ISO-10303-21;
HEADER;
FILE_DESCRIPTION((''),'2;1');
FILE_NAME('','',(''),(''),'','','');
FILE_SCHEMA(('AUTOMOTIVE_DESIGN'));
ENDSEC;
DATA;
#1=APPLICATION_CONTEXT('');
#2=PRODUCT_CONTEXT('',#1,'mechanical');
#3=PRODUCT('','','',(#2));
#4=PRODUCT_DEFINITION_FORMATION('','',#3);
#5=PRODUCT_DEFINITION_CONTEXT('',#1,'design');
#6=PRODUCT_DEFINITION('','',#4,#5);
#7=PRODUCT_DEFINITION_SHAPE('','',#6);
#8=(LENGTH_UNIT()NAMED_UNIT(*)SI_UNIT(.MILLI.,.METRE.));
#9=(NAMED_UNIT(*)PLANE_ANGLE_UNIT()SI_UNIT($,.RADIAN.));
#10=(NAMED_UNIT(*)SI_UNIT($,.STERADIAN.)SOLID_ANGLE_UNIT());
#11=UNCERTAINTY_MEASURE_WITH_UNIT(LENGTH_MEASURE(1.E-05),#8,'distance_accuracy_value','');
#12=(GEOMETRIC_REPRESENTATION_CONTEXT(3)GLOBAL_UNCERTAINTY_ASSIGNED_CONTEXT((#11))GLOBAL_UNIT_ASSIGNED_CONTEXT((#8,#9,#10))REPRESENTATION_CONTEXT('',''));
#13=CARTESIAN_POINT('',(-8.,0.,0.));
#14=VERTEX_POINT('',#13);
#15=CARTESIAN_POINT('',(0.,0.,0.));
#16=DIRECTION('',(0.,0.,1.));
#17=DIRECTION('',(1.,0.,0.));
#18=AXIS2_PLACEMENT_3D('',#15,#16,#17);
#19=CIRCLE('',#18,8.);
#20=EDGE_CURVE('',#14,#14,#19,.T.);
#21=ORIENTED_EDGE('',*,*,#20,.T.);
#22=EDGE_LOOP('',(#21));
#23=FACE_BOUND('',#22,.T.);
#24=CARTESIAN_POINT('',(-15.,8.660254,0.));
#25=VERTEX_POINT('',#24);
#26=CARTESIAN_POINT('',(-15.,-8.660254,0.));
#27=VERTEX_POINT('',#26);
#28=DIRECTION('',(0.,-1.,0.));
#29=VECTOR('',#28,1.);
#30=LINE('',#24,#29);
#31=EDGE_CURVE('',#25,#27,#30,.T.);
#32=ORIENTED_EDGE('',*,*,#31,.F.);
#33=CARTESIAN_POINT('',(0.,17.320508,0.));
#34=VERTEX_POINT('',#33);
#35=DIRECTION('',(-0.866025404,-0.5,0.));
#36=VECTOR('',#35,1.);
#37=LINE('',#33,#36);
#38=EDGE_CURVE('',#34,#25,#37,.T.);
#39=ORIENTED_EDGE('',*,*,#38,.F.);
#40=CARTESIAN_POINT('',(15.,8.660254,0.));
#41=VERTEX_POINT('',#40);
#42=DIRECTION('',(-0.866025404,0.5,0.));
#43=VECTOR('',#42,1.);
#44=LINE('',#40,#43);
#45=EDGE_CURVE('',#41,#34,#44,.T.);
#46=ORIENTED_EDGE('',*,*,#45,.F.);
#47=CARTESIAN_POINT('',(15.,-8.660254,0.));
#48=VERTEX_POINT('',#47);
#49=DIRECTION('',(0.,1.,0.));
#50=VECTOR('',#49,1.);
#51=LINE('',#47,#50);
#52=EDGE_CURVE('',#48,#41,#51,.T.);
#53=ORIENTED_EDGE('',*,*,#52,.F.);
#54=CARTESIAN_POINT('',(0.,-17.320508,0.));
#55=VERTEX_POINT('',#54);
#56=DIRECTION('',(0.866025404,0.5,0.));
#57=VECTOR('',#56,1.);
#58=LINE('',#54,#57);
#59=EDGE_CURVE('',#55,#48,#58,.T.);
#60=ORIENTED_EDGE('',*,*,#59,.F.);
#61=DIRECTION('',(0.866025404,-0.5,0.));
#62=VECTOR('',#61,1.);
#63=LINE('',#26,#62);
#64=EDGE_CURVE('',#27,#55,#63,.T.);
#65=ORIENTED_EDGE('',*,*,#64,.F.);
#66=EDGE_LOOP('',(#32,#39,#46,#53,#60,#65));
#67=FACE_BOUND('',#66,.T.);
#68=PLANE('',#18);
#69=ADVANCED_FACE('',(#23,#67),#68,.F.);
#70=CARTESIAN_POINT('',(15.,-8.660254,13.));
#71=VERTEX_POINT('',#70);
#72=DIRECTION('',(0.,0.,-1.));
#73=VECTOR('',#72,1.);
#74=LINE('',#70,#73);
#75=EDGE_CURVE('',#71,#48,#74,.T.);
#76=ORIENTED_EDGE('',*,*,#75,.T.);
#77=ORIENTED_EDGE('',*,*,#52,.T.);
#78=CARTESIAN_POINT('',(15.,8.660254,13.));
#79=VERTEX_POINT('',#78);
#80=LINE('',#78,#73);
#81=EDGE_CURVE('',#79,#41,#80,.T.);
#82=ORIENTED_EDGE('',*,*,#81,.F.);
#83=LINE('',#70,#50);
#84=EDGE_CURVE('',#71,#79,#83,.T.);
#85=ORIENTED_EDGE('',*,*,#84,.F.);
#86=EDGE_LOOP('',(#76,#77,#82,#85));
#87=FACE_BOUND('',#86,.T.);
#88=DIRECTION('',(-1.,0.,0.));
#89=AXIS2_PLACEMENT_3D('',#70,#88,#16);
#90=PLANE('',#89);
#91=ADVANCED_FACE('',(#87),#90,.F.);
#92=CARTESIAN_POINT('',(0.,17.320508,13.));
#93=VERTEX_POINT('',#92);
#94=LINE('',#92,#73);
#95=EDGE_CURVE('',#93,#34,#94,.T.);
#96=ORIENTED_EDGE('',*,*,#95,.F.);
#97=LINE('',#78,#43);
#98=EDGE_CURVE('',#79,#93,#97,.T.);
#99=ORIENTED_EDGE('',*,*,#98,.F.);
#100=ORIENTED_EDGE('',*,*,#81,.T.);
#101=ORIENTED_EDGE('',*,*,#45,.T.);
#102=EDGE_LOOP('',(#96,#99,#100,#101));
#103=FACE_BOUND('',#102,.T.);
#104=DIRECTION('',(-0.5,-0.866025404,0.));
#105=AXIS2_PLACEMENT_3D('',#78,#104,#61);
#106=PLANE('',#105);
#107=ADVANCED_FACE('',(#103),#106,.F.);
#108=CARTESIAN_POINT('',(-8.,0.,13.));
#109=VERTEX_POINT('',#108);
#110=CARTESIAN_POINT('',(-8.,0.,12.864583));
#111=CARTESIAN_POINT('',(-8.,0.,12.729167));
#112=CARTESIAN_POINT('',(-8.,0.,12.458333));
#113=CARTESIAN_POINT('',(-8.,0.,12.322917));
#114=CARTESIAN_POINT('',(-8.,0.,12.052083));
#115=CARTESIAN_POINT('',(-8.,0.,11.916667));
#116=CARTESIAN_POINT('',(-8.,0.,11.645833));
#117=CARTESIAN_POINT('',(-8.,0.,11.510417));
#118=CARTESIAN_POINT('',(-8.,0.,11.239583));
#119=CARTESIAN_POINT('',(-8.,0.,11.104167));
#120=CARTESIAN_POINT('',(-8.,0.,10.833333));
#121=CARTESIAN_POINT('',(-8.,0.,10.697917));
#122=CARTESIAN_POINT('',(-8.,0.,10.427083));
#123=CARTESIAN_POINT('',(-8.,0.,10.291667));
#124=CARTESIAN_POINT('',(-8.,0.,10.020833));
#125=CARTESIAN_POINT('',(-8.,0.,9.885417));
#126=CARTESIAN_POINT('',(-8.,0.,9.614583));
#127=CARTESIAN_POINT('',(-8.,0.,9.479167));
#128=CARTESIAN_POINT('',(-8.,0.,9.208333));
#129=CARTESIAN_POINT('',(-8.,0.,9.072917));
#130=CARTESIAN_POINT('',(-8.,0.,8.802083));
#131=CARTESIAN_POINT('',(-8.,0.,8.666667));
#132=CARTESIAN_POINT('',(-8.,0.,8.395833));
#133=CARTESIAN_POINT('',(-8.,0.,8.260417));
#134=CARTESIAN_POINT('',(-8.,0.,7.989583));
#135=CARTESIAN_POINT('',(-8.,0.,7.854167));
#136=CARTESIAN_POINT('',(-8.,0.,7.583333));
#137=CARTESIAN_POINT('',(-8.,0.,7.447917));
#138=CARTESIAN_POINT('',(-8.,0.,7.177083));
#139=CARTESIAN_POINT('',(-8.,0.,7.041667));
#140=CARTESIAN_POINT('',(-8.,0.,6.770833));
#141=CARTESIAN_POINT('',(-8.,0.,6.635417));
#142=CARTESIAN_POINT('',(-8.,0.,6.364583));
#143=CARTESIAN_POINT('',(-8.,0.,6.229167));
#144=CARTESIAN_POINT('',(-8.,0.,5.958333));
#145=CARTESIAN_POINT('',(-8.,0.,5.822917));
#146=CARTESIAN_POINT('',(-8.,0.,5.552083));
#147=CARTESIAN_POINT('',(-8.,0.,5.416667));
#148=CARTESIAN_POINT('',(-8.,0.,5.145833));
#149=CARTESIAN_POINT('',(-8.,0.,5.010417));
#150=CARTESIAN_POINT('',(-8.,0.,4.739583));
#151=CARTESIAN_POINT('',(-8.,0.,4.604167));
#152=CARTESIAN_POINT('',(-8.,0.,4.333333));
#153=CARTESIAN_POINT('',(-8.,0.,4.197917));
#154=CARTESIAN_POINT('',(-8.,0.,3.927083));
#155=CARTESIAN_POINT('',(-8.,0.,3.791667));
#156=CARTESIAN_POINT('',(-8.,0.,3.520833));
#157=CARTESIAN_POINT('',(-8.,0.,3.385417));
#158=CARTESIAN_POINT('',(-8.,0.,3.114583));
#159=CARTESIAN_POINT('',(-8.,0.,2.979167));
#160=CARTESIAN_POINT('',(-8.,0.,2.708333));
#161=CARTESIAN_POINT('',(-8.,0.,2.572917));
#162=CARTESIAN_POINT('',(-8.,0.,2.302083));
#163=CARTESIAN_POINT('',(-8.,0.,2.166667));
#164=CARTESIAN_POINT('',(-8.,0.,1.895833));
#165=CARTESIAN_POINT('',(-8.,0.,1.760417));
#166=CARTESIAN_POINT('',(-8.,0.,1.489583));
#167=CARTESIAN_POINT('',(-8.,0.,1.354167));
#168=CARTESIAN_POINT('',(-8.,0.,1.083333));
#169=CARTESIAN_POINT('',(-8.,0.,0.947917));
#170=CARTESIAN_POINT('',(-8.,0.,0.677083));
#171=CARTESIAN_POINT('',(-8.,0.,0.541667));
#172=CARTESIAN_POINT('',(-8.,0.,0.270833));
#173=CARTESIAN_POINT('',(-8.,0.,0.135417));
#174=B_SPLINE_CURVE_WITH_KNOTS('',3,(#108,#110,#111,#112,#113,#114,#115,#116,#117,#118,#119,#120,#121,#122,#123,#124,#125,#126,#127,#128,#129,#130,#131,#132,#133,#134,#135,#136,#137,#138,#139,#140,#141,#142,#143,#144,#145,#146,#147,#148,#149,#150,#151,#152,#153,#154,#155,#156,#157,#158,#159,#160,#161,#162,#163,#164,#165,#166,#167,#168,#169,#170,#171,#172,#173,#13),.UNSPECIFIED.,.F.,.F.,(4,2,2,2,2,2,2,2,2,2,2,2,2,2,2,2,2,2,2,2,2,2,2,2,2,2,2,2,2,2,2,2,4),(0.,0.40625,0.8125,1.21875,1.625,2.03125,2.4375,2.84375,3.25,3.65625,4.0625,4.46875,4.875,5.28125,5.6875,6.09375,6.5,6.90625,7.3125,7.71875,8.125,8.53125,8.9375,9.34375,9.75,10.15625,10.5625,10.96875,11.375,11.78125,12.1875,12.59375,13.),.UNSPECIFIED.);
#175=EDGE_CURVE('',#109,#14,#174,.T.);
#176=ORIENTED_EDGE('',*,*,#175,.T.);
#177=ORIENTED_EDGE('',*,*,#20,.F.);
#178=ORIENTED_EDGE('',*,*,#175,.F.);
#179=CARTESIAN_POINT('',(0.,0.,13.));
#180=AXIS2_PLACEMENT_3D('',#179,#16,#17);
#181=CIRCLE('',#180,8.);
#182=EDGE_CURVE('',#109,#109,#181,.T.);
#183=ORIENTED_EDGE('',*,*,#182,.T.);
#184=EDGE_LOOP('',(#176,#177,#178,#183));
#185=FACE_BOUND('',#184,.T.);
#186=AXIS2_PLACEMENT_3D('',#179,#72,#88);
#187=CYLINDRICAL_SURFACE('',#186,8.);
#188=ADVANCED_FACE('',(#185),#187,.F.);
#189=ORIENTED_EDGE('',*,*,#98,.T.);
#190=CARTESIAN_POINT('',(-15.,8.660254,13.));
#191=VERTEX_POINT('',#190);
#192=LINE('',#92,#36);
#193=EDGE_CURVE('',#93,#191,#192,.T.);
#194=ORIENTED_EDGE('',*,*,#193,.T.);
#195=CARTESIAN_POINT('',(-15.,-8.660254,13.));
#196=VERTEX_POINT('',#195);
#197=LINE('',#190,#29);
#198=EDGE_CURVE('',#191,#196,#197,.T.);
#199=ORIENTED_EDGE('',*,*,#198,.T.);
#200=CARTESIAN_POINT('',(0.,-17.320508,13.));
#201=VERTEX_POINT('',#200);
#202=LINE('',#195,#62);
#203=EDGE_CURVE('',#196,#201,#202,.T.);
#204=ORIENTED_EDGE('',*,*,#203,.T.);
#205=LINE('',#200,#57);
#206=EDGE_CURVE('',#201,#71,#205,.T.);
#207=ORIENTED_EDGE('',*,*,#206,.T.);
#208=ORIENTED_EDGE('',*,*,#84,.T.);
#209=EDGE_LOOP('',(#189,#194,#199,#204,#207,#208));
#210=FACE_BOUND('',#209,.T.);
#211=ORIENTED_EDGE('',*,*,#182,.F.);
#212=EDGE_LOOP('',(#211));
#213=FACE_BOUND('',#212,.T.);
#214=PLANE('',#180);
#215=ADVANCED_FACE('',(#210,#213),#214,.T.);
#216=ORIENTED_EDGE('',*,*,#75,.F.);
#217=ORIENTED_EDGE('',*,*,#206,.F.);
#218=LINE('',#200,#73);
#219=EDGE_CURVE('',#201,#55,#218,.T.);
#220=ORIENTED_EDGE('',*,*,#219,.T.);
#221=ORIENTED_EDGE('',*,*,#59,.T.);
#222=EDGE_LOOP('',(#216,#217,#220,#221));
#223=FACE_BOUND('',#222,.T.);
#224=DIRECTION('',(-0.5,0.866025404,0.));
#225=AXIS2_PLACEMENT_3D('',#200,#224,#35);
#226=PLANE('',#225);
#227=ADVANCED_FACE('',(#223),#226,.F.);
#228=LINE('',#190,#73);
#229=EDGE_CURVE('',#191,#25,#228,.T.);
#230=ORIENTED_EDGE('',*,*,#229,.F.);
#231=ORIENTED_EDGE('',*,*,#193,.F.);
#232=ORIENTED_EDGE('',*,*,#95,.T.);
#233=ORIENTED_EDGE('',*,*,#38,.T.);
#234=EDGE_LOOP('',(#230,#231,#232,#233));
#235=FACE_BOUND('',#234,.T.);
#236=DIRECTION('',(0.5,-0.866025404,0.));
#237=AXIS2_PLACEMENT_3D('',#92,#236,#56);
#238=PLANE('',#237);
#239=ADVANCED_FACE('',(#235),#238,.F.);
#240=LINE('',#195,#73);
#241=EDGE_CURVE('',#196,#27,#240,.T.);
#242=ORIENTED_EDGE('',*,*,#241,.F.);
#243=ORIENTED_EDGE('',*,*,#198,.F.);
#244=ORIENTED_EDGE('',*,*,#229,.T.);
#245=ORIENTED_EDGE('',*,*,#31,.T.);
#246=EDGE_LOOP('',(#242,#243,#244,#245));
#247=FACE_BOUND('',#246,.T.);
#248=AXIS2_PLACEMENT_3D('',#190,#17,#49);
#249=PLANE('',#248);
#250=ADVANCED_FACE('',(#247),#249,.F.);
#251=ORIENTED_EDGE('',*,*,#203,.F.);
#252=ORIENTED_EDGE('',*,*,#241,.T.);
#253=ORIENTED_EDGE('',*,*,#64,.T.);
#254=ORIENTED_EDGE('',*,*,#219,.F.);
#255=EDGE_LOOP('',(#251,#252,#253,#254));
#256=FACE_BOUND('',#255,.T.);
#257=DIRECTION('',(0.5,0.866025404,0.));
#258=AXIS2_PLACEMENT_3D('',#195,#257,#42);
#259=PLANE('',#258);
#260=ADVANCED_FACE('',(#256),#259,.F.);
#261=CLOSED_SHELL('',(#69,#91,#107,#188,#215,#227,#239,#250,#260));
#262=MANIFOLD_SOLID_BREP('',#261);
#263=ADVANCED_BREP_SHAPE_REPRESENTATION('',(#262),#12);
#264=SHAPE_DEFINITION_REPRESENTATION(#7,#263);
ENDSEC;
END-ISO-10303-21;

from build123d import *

# Parameters (mm, degrees)
SKETCH1_R           = 8
BOSS_EXTRUDE1_DEPTH = 13


with BuildPart() as part:
    # Sketch1 → Boss-Extrude1 (new body)
    with BuildSketch(Plane.XY):
        Polygon((15, -8.660254038), (15, 8.660254038), (0, 17.320508076), (-15, 8.660254038), (-15, -8.660254038), (0, -17.320508076), align=None)
        with Locations(Location((0, 0, 0), (0, 0, 180))):
            Circle(SKETCH1_R, mode=Mode.SUBTRACT)
    extrude(amount=BOSS_EXTRUDE1_DEPTH)


solid = part.part
